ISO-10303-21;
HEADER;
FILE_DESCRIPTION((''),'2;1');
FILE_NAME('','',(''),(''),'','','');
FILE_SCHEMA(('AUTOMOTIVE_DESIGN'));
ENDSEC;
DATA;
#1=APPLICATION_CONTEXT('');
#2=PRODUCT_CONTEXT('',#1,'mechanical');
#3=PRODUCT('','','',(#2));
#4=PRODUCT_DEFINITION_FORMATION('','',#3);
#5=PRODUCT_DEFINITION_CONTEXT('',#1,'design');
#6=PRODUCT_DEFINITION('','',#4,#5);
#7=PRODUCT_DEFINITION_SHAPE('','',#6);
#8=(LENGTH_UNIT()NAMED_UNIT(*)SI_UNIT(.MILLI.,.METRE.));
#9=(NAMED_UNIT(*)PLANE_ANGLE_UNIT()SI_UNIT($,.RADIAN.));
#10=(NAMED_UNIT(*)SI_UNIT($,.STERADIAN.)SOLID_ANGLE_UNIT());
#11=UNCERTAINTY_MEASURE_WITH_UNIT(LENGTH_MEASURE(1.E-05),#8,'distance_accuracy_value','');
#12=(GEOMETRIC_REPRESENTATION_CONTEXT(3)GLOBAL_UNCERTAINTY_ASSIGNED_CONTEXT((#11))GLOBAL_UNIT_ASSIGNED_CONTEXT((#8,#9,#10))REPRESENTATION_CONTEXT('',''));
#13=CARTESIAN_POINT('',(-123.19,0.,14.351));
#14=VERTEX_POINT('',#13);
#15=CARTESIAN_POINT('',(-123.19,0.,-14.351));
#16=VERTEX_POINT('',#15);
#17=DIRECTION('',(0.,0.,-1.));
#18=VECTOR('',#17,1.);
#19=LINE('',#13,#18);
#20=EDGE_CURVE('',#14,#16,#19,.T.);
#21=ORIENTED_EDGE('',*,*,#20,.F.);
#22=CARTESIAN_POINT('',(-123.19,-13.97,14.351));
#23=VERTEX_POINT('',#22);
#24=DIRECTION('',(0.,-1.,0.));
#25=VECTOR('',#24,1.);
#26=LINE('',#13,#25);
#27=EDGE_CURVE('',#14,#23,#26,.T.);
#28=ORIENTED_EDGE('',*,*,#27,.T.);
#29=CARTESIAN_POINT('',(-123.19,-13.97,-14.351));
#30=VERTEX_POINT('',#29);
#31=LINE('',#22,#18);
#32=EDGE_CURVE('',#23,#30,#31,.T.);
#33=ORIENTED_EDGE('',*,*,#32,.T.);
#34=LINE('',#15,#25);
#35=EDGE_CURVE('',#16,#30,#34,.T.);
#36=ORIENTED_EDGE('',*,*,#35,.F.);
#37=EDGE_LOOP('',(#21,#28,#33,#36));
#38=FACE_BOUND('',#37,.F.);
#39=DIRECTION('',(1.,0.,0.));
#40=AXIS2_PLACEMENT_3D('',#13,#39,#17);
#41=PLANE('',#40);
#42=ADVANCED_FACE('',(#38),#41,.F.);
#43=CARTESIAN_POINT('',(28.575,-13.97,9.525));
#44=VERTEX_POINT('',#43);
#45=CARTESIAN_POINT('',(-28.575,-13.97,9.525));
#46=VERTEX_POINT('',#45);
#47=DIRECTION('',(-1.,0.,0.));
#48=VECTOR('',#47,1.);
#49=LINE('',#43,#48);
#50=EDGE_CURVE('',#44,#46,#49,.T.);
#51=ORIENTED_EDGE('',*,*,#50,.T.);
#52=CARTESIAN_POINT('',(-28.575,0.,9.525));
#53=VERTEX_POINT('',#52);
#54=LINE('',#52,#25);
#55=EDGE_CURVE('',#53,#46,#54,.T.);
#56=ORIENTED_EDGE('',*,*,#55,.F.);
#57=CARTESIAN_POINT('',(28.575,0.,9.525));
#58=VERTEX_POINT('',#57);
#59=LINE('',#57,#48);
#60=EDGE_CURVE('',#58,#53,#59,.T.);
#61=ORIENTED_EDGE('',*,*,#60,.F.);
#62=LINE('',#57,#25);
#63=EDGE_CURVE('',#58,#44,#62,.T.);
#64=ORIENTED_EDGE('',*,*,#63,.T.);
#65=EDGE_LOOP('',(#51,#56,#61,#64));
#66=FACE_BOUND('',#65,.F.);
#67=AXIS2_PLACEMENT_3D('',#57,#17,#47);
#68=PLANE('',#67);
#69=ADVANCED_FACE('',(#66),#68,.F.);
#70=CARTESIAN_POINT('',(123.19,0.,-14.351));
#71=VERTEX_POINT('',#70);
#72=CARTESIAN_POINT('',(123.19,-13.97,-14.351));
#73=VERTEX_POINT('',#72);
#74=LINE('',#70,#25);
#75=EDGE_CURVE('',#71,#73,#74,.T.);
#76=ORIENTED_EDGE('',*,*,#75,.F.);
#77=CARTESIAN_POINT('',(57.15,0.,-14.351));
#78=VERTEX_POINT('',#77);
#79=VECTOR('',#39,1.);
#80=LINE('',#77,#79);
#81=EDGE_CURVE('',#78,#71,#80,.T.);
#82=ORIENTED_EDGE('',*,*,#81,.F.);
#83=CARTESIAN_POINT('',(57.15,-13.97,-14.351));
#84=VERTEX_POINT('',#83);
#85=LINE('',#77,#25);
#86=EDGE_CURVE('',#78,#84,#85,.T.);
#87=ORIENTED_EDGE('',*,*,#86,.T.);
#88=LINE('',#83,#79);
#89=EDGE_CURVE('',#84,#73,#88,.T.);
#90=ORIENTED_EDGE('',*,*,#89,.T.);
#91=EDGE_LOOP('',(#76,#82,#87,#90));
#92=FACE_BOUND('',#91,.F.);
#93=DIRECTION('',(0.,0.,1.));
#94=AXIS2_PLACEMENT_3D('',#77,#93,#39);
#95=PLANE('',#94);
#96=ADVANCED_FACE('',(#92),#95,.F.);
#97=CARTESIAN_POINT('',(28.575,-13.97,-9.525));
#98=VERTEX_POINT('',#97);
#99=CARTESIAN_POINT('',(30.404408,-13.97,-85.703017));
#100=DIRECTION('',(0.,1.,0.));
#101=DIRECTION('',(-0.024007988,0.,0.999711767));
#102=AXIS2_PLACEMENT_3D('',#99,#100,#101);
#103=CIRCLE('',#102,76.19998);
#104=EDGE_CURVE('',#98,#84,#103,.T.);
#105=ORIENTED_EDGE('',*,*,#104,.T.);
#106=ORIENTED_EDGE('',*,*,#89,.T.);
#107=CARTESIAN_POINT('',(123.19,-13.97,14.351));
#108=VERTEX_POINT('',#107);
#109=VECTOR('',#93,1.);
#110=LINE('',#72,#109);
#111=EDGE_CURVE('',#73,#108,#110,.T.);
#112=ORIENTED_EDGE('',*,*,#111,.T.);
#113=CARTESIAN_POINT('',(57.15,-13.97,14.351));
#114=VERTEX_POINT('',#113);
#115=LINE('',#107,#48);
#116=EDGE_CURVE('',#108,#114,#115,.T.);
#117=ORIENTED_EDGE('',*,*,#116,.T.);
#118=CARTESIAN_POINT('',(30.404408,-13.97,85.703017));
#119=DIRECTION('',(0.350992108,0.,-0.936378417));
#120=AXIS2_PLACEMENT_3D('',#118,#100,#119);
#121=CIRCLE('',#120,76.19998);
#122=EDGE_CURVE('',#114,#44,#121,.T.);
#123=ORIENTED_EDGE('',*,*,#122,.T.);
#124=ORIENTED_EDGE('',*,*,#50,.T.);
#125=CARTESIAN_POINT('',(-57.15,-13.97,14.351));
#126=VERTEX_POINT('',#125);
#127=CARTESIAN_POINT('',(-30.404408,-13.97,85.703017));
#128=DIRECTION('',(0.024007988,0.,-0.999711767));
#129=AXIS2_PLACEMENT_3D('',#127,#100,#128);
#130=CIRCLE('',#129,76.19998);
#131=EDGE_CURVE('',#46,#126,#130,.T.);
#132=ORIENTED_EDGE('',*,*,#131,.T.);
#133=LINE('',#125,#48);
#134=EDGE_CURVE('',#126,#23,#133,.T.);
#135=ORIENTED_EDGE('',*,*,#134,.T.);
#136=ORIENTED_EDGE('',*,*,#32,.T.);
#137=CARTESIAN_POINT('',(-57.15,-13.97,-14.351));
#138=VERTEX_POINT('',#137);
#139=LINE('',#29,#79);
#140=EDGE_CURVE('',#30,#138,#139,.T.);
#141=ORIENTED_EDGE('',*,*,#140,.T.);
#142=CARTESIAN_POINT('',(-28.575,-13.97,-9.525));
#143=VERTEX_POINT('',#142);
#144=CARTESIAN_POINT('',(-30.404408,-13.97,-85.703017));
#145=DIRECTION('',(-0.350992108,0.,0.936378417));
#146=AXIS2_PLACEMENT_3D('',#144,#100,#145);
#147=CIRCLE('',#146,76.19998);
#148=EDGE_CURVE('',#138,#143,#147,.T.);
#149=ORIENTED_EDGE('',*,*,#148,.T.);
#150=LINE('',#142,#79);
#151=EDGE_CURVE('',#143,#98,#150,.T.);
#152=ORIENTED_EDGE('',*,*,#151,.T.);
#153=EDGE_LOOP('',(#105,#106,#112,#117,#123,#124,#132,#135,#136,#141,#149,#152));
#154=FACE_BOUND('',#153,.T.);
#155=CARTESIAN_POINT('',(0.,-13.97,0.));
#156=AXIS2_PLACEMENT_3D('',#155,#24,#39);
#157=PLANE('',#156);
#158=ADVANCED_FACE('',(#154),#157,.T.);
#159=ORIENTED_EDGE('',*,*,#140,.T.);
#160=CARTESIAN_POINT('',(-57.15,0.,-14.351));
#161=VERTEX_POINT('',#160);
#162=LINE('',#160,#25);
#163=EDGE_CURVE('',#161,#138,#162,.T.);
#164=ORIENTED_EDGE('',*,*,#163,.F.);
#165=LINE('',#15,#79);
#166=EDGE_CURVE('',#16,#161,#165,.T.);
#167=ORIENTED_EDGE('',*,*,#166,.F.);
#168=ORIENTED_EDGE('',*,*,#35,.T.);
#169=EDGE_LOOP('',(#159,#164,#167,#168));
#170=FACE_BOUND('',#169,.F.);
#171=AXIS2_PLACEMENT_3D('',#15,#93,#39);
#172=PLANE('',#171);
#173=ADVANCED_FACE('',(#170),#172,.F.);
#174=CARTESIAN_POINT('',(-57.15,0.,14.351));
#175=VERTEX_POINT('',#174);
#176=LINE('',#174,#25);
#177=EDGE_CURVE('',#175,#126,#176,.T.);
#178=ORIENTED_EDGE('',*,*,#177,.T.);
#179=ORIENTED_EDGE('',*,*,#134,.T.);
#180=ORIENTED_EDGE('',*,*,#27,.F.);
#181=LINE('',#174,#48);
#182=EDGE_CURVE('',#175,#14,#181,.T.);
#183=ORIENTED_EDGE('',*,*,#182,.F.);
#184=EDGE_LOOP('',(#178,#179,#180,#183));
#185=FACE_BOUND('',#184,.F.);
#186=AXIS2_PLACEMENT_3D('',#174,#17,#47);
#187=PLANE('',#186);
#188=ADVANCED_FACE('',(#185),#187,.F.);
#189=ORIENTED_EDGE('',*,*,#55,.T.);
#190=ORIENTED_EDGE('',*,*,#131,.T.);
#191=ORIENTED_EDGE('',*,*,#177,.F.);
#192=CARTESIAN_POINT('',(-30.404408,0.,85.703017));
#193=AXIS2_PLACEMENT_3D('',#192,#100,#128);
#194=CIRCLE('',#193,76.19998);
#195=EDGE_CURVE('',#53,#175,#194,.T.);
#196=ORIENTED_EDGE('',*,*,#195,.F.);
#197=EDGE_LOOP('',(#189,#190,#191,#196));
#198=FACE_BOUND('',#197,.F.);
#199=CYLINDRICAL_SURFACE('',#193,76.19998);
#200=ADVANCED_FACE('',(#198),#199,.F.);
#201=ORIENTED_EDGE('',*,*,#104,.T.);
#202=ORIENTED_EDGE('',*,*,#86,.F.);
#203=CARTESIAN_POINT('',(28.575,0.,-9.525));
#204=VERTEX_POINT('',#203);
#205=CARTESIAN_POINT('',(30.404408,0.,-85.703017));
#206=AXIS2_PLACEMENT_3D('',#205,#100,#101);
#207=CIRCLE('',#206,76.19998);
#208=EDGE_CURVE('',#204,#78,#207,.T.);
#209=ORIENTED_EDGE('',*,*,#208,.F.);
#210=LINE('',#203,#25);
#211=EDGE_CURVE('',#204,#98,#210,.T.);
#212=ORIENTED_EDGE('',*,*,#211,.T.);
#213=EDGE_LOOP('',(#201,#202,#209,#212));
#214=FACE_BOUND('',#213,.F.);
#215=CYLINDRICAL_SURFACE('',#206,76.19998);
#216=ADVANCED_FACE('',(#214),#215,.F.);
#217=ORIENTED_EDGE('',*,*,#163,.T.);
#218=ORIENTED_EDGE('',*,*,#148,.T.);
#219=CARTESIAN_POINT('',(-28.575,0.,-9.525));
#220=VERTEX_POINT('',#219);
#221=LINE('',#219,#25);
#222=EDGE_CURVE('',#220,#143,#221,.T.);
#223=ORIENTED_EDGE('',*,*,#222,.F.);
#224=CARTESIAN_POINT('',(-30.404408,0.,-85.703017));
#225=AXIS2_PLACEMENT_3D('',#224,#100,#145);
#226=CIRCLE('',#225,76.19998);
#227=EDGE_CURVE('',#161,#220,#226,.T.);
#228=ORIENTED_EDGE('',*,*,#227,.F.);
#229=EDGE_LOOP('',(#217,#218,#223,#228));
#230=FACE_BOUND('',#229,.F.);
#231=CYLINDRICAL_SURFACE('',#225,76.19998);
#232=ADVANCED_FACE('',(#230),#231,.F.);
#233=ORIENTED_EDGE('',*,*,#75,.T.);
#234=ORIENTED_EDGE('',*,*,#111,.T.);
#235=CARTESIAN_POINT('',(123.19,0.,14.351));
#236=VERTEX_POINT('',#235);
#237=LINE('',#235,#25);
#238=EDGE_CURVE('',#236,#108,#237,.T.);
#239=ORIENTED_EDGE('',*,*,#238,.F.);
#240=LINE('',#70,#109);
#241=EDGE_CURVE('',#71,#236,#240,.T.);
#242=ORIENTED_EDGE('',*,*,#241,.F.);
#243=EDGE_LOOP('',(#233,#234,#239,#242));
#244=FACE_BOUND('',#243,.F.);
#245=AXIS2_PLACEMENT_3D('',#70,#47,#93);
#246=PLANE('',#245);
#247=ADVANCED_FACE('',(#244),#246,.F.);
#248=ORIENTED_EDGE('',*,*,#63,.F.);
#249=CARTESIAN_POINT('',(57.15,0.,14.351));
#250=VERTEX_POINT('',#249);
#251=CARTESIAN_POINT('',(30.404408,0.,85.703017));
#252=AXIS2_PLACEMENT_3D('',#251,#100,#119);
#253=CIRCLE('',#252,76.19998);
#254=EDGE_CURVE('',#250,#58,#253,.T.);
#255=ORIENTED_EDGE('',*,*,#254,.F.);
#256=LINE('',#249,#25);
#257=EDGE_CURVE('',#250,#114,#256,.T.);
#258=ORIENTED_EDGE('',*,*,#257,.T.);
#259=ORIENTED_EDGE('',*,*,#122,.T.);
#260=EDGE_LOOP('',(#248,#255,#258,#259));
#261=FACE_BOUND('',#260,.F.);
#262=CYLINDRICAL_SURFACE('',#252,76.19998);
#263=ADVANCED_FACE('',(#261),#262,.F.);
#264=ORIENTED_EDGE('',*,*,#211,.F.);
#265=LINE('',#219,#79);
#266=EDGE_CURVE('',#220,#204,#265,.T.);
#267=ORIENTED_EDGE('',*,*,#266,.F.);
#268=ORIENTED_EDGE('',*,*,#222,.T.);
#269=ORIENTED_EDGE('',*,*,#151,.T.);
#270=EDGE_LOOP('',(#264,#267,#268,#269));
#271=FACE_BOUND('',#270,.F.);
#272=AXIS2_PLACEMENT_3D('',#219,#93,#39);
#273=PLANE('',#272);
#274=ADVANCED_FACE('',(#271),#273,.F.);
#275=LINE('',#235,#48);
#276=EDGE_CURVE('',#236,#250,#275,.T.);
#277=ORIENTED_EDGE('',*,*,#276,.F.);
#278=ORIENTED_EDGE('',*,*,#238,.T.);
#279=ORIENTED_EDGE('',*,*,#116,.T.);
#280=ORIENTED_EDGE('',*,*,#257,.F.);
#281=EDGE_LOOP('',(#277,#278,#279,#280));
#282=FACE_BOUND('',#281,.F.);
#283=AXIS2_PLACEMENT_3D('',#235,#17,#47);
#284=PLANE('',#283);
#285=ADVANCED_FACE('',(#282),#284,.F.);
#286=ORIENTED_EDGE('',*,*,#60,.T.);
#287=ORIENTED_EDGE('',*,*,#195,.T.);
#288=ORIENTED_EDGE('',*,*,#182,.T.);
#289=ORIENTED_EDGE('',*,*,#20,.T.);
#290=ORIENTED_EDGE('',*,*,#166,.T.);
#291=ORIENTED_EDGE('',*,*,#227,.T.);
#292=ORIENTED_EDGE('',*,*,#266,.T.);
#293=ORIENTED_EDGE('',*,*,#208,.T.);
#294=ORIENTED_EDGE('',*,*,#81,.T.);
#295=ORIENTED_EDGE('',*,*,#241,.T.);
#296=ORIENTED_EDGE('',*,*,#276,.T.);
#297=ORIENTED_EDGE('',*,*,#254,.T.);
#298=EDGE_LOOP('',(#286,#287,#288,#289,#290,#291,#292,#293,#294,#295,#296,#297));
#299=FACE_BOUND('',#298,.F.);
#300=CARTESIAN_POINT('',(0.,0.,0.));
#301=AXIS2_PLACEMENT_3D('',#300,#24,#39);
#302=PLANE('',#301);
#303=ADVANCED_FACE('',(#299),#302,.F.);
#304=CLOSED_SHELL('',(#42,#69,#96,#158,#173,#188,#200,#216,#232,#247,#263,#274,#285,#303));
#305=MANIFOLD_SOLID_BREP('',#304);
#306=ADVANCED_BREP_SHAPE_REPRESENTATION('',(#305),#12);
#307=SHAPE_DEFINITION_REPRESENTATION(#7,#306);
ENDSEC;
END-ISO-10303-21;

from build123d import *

# Parameters (mm, degrees)
F1_DEPTH = 13.97


with BuildPart() as f1:
    # F0 (on Front) → F1 (new body)
    with BuildSketch(Plane.XZ):
        with BuildLine():
            Line((28.575, 9.525), (0, 9.525))
            Line((0, 9.525), (-28.575, 9.525))
            ThreePointArc((-28.575, 9.525), (-43.094035, 10.567071), (-57.15, 14.351))
            Line((-57.15, 14.351), (-123.19, 14.351))
            Line((-123.19, 14.351), (-123.19, -14.351))
            Line((-123.19, -14.351), (-57.15, -14.351))
            ThreePointArc((-57.15, -14.351), (-43.094035, -10.567071), (-28.575, -9.525))
            Line((-28.575, -9.525), (0, -9.525))
            Line((0, -9.525), (28.575, -9.525))
            ThreePointArc((28.575, -9.525), (43.094035, -10.567071), (57.15, -14.351))
            Line((57.15, -14.351), (123.19, -14.351))
            Line((123.19, -14.351), (123.19, 14.351))
            Line((123.19, 14.351), (57.15, 14.351))
            ThreePointArc((57.15, 14.351), (43.094035, 10.567071), (28.575, 9.525))
        make_face()
    extrude(amount=F1_DEPTH)


solid = f1.part
